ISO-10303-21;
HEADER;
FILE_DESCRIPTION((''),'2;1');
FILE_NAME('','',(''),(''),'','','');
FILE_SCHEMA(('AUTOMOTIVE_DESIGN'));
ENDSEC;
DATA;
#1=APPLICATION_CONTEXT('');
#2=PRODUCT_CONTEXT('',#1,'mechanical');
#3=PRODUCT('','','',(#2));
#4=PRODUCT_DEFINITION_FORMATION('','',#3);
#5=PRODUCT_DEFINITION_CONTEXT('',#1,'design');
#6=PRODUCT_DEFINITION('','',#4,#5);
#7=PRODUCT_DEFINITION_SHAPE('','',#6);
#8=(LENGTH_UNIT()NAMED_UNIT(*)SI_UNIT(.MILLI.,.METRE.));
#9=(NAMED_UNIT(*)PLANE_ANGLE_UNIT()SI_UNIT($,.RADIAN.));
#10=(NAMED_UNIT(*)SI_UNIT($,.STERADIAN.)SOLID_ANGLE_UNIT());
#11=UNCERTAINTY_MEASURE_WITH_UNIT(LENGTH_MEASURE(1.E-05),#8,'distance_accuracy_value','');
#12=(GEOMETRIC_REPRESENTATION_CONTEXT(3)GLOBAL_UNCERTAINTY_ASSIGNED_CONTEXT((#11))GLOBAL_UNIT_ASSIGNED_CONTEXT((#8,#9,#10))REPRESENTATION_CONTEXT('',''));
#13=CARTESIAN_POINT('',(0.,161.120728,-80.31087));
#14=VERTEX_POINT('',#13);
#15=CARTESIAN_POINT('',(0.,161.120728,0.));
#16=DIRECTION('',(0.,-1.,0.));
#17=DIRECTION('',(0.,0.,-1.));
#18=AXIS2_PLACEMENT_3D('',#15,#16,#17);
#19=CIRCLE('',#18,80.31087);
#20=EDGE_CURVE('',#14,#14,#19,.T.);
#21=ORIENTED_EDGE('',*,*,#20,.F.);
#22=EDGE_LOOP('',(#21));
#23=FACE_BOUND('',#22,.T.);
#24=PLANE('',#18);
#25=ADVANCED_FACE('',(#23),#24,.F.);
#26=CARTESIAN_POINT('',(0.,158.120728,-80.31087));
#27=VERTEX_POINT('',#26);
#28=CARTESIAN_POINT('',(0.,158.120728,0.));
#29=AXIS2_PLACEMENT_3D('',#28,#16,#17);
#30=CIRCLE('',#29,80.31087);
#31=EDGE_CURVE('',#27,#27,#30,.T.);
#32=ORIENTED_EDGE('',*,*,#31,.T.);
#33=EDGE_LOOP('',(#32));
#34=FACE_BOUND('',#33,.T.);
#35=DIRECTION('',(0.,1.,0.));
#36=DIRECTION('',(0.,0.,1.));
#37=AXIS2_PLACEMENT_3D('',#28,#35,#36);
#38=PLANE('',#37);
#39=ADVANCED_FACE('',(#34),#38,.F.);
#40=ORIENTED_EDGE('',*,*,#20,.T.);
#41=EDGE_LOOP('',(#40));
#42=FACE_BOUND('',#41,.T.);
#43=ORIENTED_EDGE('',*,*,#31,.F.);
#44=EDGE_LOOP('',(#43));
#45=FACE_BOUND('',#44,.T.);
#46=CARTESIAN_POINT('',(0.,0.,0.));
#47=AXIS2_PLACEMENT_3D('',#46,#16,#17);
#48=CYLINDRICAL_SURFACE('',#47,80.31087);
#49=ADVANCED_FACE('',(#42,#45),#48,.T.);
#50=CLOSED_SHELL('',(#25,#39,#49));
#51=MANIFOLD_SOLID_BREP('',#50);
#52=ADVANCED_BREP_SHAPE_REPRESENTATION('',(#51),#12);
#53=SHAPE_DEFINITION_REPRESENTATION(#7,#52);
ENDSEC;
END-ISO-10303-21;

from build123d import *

# Parameters (mm, degrees)
ESQUISSE1_W = 80.310869934
ESQUISSE1_H = 3


with BuildPart() as part:
    # Esquisse1 → Révolution1 (revolve)
    with BuildSketch(Plane.XY, mode=Mode.PRIVATE) as r_volution1_sk:
        with Locations((-40.155434967, 159.620727786)):
            Rectangle(ESQUISSE1_W, ESQUISSE1_H)
    revolve(r_volution1_sk.sketch.rotate(Axis((0, 0, 0), (0, 1, 0)), 270), axis=Axis((0, 0, 0), (0, 1, 0)))


solid = part.part
